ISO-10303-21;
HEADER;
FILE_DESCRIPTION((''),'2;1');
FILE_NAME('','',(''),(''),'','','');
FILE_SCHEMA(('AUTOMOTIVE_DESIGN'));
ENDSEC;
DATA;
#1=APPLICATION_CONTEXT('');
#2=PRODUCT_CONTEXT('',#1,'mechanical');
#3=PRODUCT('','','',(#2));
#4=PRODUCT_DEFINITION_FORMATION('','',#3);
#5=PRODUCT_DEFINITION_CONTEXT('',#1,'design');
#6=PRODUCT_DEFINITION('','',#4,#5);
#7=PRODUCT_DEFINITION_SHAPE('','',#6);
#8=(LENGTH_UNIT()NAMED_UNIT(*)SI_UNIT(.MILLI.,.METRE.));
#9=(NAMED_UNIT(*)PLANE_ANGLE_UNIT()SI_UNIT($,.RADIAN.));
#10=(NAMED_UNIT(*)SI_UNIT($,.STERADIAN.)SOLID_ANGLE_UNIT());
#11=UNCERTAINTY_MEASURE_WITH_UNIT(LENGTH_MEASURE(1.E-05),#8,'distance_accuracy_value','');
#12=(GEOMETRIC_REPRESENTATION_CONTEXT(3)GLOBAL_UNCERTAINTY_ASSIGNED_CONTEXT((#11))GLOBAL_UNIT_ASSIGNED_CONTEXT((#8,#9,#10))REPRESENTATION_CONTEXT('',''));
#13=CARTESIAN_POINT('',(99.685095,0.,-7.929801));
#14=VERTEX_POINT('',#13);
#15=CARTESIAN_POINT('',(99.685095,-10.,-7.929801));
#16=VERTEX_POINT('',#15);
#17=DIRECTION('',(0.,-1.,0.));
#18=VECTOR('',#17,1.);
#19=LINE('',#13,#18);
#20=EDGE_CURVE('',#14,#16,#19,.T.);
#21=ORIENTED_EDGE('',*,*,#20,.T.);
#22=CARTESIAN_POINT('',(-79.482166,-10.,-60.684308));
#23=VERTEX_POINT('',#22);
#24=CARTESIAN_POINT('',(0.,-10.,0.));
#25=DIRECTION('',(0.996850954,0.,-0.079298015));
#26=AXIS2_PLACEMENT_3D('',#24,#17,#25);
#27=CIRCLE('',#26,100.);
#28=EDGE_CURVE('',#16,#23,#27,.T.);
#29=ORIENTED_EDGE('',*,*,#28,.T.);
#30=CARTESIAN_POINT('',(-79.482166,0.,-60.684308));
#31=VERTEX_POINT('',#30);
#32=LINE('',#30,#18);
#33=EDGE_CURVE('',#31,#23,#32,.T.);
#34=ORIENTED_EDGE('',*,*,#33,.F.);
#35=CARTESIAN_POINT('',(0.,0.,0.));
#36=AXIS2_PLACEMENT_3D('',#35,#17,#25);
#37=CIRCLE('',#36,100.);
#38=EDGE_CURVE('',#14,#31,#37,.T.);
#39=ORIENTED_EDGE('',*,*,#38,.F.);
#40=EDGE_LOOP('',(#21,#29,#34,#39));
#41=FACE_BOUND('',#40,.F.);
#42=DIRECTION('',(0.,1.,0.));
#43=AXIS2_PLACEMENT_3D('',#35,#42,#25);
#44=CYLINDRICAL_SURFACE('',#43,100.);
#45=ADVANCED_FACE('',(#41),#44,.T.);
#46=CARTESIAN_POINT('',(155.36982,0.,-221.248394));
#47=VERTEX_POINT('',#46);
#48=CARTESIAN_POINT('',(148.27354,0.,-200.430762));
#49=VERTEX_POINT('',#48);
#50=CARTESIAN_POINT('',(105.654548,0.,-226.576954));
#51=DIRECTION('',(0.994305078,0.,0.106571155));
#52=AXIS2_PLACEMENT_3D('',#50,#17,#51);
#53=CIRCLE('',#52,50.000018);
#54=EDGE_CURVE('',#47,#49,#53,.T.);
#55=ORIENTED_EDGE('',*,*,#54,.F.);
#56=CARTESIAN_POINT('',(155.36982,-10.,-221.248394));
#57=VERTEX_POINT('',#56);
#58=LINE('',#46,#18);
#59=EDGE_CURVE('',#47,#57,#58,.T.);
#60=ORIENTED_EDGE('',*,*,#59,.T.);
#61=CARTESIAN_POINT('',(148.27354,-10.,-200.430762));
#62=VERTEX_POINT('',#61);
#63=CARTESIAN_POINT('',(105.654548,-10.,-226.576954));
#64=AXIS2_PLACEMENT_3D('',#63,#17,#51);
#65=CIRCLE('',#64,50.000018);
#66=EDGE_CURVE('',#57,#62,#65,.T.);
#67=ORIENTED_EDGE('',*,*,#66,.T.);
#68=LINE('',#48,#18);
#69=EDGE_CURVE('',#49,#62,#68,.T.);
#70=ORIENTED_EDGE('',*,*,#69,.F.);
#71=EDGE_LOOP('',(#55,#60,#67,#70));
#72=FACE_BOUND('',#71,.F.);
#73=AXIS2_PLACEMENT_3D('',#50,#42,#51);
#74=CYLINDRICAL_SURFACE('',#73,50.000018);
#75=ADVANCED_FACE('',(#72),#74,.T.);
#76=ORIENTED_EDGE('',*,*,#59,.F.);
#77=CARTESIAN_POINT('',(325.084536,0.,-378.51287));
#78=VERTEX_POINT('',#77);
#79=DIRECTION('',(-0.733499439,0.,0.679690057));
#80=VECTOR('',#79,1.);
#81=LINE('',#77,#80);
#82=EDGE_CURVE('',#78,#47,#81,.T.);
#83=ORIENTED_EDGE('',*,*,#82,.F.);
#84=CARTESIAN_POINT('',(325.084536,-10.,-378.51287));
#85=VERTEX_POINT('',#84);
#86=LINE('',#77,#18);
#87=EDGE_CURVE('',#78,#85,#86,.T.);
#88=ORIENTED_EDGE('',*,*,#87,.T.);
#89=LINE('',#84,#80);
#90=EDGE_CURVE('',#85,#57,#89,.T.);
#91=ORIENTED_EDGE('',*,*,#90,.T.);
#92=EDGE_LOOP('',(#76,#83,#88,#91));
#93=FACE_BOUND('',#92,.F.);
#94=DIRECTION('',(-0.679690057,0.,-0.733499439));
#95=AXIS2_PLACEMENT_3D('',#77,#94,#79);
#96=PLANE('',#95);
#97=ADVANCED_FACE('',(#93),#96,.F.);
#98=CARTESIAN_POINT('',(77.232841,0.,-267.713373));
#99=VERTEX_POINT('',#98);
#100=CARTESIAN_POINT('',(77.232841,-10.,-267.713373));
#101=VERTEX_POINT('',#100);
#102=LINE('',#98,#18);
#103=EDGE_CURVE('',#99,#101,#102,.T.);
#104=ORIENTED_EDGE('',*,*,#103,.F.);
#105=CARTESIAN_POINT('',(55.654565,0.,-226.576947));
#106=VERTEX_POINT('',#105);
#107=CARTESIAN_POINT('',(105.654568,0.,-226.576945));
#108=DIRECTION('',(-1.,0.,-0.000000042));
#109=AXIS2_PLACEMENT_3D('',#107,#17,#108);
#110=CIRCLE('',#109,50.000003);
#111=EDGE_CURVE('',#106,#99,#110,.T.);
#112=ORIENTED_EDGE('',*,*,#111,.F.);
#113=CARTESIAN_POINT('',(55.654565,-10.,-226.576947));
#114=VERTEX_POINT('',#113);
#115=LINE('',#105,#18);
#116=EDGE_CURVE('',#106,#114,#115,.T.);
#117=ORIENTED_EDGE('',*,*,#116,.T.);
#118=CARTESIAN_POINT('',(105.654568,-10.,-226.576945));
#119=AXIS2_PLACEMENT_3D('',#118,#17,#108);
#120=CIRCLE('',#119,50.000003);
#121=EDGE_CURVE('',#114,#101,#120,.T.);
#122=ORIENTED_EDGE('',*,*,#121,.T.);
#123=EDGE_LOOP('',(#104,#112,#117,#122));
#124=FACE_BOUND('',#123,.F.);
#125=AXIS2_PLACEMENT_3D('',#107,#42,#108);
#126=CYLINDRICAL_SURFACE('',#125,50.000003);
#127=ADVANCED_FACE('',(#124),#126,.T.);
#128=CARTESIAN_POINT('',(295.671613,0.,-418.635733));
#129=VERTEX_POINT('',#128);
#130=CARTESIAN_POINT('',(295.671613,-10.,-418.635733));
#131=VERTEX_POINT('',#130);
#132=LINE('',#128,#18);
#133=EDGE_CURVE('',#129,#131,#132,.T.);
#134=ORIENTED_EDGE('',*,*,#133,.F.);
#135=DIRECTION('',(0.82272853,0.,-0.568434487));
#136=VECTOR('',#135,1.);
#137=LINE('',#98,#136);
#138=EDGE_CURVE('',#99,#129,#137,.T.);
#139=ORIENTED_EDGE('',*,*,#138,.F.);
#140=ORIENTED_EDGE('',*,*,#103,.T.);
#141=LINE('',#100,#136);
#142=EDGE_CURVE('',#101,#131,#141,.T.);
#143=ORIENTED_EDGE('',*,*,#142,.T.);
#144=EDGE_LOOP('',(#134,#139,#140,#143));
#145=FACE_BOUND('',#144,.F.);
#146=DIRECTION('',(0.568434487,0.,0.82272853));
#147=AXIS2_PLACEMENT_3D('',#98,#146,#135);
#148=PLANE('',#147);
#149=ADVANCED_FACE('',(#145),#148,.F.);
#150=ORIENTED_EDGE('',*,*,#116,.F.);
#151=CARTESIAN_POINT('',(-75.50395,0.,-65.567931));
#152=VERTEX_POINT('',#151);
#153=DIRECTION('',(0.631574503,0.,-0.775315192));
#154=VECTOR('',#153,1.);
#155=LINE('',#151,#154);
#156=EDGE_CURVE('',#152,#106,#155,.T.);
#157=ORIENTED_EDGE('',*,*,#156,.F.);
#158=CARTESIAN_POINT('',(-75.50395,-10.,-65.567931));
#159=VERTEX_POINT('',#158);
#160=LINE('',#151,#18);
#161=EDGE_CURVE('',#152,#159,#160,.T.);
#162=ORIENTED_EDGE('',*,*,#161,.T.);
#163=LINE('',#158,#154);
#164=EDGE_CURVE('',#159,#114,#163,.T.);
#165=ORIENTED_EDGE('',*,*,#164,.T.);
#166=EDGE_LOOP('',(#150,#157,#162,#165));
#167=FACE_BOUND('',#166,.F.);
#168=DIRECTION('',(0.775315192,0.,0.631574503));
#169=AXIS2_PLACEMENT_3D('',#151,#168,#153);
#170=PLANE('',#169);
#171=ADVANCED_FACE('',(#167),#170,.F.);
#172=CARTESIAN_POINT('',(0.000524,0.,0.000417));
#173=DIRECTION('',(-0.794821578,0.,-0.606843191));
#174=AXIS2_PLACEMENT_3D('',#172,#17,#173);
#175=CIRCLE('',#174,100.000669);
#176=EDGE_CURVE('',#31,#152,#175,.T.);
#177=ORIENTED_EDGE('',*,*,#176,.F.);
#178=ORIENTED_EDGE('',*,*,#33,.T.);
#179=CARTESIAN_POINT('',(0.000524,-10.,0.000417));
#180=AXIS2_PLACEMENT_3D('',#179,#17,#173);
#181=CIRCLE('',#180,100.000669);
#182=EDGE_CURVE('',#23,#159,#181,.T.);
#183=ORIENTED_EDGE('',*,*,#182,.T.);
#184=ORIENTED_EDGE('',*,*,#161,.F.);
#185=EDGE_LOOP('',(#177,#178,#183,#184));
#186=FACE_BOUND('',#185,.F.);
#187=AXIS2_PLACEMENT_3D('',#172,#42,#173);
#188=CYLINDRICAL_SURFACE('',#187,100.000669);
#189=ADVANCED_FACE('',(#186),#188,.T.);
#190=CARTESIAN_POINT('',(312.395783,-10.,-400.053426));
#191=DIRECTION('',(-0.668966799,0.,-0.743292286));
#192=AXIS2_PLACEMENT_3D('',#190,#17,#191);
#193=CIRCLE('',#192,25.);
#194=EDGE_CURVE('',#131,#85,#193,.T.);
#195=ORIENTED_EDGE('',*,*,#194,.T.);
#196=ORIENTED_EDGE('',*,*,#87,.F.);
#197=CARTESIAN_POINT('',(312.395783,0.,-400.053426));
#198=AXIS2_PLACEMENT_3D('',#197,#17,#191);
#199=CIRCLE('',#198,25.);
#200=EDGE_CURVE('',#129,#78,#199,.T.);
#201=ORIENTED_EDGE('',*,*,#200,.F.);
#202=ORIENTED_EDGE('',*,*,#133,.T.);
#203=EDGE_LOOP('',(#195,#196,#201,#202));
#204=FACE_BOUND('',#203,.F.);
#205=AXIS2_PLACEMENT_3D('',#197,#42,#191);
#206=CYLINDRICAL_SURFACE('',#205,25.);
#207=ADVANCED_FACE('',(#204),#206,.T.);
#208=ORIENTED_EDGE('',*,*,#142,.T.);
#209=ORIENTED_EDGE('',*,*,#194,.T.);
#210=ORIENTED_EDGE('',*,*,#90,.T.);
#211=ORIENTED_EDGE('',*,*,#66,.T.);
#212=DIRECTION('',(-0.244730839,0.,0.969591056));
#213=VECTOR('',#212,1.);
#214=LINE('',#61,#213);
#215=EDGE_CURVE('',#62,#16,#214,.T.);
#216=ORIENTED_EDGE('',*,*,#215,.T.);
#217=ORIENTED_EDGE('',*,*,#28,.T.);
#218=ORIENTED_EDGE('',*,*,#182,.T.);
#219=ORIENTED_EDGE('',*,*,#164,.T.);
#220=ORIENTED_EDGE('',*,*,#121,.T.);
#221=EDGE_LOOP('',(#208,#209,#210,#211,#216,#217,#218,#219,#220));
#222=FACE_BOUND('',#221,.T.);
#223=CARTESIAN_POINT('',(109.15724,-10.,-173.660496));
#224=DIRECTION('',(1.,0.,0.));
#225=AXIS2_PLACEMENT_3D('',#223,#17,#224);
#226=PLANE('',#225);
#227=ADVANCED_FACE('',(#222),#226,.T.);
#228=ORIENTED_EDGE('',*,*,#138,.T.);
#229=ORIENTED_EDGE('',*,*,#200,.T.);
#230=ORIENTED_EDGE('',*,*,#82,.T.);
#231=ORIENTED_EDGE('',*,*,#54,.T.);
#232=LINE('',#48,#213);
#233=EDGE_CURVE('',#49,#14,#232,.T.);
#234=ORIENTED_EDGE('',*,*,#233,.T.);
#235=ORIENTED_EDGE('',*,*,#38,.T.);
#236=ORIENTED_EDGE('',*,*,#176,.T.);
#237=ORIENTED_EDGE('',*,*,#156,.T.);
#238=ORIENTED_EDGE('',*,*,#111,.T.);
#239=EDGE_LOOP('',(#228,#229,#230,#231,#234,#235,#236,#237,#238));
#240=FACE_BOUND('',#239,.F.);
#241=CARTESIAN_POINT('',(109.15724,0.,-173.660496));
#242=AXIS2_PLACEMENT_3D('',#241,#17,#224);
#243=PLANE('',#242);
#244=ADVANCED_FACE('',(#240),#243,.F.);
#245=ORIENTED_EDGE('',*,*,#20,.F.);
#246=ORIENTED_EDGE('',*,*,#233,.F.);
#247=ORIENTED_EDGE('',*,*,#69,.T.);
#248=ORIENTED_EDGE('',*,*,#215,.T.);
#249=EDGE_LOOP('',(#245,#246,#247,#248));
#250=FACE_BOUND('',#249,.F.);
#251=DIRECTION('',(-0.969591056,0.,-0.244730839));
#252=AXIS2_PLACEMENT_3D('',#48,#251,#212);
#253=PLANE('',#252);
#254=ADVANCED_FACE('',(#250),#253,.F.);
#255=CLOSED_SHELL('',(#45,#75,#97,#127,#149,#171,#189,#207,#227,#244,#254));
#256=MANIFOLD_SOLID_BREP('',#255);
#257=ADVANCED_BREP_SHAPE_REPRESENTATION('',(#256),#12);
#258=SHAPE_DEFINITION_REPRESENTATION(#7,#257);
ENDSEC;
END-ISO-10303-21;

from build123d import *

# Parameters (mm, degrees)
F1_DEPTH = 10


with BuildPart() as f1:
    # F0 (on Front) → F1 (new body)
    with BuildSketch(Plane.XZ):
        with BuildLine():
            Line((148.27354, -200.430762), (99.685095, -7.929801))
            ThreePointArc((99.685095, -7.929801), (-28.245338, 95.928103), (-79.482166, -60.684308))
            Line((-79.482166, -60.684308), (-75.50395, -65.567931))
            Line((-75.50395, -65.567931), (55.654565, -226.576947))
            ThreePointArc((55.654565, -226.576947), (61.376545, -249.803158), (77.232841, -267.713373))
            Line((77.232841, -267.713373), (295.671613, -418.635733))
            ThreePointArc((295.671613, -418.635733), (332.558426, -414.834083), (325.084536, -378.51287))
            Line((325.084536, -378.51287), (155.36982, -221.248394))
            ThreePointArc((155.36982, -221.248394), (152.980519, -210.444555), (148.27354, -200.430762))
        make_face()
        with BuildLine():
            Line((-75.50395, -65.567931), (-79.482166, -60.684308))
            ThreePointArc((-79.482166, -60.684308), (-77.531519, -63.15745), (-75.50395, -65.567931))
        make_face()
    extrude(amount=F1_DEPTH)


solid = f1.part
